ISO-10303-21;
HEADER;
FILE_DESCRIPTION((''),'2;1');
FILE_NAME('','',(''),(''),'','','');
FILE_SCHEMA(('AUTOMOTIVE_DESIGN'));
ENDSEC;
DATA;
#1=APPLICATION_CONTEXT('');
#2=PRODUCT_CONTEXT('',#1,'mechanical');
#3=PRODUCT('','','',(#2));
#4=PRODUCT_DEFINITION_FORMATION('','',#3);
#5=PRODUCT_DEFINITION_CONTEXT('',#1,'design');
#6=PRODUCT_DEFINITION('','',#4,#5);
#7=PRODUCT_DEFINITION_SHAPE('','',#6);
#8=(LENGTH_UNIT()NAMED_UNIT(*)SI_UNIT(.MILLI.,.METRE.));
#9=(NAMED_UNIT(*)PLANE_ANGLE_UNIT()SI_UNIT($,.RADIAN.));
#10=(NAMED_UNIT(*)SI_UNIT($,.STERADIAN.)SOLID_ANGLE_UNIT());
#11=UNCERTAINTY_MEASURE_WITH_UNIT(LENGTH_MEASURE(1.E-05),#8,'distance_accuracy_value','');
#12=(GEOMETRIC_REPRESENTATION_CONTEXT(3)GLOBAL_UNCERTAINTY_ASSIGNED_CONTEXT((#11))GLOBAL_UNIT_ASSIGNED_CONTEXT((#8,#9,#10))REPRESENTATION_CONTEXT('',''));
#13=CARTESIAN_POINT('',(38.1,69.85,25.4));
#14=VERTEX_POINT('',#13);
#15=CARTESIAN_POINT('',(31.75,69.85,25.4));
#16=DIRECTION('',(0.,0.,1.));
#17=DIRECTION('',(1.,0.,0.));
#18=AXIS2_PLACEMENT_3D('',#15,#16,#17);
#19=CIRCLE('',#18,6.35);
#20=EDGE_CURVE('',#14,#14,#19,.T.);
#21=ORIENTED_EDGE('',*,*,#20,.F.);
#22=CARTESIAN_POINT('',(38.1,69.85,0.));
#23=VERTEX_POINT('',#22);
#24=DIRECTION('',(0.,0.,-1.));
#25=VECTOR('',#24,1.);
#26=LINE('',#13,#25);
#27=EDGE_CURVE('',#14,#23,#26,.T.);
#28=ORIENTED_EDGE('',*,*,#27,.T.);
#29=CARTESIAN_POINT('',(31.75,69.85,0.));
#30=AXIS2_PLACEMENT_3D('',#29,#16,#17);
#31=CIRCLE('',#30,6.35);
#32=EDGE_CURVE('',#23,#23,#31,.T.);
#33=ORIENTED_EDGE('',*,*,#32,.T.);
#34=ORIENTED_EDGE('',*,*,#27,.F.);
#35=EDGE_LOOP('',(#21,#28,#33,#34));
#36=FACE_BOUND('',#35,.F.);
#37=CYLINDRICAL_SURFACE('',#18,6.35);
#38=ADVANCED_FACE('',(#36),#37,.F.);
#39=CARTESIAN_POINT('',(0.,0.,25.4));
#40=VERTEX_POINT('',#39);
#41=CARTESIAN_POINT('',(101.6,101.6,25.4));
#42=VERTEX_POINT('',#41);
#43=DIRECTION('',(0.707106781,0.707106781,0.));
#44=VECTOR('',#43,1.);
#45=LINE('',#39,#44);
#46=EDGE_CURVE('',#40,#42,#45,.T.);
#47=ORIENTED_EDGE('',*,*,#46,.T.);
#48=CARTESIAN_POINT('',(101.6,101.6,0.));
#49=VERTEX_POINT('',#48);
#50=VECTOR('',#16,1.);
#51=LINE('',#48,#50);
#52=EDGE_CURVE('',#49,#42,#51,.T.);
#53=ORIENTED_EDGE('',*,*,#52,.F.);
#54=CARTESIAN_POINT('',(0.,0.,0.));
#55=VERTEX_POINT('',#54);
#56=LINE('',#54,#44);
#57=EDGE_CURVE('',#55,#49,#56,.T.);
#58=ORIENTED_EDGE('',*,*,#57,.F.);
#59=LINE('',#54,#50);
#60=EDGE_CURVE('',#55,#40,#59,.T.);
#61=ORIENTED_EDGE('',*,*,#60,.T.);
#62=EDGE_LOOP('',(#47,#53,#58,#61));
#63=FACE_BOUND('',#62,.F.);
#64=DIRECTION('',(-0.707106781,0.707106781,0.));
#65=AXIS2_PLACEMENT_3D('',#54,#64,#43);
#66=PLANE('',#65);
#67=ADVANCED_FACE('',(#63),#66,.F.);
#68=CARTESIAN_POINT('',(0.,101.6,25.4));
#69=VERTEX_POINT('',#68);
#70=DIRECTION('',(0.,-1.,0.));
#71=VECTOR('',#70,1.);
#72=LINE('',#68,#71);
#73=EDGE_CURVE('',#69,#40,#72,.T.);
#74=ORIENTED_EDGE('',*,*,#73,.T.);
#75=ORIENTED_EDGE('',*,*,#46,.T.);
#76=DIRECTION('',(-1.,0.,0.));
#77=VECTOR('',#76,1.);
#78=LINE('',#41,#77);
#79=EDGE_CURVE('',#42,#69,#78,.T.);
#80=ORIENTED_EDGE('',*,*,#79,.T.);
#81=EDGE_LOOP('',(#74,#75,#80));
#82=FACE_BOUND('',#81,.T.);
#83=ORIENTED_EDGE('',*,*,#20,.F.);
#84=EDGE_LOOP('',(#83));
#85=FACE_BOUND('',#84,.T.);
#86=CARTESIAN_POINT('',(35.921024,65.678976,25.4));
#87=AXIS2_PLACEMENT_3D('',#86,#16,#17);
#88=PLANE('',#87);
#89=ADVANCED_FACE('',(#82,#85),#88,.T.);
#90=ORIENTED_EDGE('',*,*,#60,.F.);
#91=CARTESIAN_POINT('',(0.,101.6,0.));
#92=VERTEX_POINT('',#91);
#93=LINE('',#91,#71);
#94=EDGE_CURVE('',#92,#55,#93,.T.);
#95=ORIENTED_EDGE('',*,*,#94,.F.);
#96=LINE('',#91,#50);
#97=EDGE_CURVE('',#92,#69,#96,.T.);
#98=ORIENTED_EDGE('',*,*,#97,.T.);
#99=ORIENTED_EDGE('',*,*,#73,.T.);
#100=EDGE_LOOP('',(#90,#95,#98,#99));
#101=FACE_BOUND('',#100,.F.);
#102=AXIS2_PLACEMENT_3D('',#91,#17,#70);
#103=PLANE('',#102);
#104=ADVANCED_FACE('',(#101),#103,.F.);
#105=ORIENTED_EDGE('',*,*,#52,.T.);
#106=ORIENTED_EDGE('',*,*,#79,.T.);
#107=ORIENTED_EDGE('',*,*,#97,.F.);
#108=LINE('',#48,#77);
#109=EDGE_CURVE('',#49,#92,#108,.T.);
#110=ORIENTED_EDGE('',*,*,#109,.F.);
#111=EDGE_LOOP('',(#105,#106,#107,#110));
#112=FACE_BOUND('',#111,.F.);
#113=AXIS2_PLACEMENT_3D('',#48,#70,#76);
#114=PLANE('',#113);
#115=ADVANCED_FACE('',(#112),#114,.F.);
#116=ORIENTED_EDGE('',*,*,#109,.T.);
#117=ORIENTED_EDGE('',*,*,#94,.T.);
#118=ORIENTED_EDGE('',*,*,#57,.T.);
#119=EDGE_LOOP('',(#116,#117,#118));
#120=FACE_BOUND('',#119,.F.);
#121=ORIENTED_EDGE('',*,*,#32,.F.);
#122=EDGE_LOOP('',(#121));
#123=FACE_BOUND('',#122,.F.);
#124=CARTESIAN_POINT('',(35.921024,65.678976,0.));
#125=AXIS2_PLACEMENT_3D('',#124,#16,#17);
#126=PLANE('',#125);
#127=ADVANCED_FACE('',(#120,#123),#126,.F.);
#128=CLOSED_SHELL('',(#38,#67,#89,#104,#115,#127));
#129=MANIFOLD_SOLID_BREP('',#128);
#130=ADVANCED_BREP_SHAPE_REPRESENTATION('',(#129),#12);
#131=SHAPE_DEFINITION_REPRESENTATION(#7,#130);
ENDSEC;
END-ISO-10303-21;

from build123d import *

# Parameters (mm, degrees)
F1_DEPTH = 25.4
F2_R     = 6.35
F3_DEPTH = 25.4


with BuildPart() as f1:
    # F0 (on Top) → F1 (new body)
    with BuildSketch(Plane.XY):
        Polygon((0, 101.6), (0, 0), (101.6, 101.6), align=None)
    extrude(amount=F1_DEPTH)

    # F2 (on face) → F3 (cut)
    with BuildSketch(Plane.XY.offset(25.4)):
        with Locations((31.75, 69.85)):
            Circle(F2_R)
    extrude(amount=-F3_DEPTH, mode=Mode.SUBTRACT)


solid = f1.part
